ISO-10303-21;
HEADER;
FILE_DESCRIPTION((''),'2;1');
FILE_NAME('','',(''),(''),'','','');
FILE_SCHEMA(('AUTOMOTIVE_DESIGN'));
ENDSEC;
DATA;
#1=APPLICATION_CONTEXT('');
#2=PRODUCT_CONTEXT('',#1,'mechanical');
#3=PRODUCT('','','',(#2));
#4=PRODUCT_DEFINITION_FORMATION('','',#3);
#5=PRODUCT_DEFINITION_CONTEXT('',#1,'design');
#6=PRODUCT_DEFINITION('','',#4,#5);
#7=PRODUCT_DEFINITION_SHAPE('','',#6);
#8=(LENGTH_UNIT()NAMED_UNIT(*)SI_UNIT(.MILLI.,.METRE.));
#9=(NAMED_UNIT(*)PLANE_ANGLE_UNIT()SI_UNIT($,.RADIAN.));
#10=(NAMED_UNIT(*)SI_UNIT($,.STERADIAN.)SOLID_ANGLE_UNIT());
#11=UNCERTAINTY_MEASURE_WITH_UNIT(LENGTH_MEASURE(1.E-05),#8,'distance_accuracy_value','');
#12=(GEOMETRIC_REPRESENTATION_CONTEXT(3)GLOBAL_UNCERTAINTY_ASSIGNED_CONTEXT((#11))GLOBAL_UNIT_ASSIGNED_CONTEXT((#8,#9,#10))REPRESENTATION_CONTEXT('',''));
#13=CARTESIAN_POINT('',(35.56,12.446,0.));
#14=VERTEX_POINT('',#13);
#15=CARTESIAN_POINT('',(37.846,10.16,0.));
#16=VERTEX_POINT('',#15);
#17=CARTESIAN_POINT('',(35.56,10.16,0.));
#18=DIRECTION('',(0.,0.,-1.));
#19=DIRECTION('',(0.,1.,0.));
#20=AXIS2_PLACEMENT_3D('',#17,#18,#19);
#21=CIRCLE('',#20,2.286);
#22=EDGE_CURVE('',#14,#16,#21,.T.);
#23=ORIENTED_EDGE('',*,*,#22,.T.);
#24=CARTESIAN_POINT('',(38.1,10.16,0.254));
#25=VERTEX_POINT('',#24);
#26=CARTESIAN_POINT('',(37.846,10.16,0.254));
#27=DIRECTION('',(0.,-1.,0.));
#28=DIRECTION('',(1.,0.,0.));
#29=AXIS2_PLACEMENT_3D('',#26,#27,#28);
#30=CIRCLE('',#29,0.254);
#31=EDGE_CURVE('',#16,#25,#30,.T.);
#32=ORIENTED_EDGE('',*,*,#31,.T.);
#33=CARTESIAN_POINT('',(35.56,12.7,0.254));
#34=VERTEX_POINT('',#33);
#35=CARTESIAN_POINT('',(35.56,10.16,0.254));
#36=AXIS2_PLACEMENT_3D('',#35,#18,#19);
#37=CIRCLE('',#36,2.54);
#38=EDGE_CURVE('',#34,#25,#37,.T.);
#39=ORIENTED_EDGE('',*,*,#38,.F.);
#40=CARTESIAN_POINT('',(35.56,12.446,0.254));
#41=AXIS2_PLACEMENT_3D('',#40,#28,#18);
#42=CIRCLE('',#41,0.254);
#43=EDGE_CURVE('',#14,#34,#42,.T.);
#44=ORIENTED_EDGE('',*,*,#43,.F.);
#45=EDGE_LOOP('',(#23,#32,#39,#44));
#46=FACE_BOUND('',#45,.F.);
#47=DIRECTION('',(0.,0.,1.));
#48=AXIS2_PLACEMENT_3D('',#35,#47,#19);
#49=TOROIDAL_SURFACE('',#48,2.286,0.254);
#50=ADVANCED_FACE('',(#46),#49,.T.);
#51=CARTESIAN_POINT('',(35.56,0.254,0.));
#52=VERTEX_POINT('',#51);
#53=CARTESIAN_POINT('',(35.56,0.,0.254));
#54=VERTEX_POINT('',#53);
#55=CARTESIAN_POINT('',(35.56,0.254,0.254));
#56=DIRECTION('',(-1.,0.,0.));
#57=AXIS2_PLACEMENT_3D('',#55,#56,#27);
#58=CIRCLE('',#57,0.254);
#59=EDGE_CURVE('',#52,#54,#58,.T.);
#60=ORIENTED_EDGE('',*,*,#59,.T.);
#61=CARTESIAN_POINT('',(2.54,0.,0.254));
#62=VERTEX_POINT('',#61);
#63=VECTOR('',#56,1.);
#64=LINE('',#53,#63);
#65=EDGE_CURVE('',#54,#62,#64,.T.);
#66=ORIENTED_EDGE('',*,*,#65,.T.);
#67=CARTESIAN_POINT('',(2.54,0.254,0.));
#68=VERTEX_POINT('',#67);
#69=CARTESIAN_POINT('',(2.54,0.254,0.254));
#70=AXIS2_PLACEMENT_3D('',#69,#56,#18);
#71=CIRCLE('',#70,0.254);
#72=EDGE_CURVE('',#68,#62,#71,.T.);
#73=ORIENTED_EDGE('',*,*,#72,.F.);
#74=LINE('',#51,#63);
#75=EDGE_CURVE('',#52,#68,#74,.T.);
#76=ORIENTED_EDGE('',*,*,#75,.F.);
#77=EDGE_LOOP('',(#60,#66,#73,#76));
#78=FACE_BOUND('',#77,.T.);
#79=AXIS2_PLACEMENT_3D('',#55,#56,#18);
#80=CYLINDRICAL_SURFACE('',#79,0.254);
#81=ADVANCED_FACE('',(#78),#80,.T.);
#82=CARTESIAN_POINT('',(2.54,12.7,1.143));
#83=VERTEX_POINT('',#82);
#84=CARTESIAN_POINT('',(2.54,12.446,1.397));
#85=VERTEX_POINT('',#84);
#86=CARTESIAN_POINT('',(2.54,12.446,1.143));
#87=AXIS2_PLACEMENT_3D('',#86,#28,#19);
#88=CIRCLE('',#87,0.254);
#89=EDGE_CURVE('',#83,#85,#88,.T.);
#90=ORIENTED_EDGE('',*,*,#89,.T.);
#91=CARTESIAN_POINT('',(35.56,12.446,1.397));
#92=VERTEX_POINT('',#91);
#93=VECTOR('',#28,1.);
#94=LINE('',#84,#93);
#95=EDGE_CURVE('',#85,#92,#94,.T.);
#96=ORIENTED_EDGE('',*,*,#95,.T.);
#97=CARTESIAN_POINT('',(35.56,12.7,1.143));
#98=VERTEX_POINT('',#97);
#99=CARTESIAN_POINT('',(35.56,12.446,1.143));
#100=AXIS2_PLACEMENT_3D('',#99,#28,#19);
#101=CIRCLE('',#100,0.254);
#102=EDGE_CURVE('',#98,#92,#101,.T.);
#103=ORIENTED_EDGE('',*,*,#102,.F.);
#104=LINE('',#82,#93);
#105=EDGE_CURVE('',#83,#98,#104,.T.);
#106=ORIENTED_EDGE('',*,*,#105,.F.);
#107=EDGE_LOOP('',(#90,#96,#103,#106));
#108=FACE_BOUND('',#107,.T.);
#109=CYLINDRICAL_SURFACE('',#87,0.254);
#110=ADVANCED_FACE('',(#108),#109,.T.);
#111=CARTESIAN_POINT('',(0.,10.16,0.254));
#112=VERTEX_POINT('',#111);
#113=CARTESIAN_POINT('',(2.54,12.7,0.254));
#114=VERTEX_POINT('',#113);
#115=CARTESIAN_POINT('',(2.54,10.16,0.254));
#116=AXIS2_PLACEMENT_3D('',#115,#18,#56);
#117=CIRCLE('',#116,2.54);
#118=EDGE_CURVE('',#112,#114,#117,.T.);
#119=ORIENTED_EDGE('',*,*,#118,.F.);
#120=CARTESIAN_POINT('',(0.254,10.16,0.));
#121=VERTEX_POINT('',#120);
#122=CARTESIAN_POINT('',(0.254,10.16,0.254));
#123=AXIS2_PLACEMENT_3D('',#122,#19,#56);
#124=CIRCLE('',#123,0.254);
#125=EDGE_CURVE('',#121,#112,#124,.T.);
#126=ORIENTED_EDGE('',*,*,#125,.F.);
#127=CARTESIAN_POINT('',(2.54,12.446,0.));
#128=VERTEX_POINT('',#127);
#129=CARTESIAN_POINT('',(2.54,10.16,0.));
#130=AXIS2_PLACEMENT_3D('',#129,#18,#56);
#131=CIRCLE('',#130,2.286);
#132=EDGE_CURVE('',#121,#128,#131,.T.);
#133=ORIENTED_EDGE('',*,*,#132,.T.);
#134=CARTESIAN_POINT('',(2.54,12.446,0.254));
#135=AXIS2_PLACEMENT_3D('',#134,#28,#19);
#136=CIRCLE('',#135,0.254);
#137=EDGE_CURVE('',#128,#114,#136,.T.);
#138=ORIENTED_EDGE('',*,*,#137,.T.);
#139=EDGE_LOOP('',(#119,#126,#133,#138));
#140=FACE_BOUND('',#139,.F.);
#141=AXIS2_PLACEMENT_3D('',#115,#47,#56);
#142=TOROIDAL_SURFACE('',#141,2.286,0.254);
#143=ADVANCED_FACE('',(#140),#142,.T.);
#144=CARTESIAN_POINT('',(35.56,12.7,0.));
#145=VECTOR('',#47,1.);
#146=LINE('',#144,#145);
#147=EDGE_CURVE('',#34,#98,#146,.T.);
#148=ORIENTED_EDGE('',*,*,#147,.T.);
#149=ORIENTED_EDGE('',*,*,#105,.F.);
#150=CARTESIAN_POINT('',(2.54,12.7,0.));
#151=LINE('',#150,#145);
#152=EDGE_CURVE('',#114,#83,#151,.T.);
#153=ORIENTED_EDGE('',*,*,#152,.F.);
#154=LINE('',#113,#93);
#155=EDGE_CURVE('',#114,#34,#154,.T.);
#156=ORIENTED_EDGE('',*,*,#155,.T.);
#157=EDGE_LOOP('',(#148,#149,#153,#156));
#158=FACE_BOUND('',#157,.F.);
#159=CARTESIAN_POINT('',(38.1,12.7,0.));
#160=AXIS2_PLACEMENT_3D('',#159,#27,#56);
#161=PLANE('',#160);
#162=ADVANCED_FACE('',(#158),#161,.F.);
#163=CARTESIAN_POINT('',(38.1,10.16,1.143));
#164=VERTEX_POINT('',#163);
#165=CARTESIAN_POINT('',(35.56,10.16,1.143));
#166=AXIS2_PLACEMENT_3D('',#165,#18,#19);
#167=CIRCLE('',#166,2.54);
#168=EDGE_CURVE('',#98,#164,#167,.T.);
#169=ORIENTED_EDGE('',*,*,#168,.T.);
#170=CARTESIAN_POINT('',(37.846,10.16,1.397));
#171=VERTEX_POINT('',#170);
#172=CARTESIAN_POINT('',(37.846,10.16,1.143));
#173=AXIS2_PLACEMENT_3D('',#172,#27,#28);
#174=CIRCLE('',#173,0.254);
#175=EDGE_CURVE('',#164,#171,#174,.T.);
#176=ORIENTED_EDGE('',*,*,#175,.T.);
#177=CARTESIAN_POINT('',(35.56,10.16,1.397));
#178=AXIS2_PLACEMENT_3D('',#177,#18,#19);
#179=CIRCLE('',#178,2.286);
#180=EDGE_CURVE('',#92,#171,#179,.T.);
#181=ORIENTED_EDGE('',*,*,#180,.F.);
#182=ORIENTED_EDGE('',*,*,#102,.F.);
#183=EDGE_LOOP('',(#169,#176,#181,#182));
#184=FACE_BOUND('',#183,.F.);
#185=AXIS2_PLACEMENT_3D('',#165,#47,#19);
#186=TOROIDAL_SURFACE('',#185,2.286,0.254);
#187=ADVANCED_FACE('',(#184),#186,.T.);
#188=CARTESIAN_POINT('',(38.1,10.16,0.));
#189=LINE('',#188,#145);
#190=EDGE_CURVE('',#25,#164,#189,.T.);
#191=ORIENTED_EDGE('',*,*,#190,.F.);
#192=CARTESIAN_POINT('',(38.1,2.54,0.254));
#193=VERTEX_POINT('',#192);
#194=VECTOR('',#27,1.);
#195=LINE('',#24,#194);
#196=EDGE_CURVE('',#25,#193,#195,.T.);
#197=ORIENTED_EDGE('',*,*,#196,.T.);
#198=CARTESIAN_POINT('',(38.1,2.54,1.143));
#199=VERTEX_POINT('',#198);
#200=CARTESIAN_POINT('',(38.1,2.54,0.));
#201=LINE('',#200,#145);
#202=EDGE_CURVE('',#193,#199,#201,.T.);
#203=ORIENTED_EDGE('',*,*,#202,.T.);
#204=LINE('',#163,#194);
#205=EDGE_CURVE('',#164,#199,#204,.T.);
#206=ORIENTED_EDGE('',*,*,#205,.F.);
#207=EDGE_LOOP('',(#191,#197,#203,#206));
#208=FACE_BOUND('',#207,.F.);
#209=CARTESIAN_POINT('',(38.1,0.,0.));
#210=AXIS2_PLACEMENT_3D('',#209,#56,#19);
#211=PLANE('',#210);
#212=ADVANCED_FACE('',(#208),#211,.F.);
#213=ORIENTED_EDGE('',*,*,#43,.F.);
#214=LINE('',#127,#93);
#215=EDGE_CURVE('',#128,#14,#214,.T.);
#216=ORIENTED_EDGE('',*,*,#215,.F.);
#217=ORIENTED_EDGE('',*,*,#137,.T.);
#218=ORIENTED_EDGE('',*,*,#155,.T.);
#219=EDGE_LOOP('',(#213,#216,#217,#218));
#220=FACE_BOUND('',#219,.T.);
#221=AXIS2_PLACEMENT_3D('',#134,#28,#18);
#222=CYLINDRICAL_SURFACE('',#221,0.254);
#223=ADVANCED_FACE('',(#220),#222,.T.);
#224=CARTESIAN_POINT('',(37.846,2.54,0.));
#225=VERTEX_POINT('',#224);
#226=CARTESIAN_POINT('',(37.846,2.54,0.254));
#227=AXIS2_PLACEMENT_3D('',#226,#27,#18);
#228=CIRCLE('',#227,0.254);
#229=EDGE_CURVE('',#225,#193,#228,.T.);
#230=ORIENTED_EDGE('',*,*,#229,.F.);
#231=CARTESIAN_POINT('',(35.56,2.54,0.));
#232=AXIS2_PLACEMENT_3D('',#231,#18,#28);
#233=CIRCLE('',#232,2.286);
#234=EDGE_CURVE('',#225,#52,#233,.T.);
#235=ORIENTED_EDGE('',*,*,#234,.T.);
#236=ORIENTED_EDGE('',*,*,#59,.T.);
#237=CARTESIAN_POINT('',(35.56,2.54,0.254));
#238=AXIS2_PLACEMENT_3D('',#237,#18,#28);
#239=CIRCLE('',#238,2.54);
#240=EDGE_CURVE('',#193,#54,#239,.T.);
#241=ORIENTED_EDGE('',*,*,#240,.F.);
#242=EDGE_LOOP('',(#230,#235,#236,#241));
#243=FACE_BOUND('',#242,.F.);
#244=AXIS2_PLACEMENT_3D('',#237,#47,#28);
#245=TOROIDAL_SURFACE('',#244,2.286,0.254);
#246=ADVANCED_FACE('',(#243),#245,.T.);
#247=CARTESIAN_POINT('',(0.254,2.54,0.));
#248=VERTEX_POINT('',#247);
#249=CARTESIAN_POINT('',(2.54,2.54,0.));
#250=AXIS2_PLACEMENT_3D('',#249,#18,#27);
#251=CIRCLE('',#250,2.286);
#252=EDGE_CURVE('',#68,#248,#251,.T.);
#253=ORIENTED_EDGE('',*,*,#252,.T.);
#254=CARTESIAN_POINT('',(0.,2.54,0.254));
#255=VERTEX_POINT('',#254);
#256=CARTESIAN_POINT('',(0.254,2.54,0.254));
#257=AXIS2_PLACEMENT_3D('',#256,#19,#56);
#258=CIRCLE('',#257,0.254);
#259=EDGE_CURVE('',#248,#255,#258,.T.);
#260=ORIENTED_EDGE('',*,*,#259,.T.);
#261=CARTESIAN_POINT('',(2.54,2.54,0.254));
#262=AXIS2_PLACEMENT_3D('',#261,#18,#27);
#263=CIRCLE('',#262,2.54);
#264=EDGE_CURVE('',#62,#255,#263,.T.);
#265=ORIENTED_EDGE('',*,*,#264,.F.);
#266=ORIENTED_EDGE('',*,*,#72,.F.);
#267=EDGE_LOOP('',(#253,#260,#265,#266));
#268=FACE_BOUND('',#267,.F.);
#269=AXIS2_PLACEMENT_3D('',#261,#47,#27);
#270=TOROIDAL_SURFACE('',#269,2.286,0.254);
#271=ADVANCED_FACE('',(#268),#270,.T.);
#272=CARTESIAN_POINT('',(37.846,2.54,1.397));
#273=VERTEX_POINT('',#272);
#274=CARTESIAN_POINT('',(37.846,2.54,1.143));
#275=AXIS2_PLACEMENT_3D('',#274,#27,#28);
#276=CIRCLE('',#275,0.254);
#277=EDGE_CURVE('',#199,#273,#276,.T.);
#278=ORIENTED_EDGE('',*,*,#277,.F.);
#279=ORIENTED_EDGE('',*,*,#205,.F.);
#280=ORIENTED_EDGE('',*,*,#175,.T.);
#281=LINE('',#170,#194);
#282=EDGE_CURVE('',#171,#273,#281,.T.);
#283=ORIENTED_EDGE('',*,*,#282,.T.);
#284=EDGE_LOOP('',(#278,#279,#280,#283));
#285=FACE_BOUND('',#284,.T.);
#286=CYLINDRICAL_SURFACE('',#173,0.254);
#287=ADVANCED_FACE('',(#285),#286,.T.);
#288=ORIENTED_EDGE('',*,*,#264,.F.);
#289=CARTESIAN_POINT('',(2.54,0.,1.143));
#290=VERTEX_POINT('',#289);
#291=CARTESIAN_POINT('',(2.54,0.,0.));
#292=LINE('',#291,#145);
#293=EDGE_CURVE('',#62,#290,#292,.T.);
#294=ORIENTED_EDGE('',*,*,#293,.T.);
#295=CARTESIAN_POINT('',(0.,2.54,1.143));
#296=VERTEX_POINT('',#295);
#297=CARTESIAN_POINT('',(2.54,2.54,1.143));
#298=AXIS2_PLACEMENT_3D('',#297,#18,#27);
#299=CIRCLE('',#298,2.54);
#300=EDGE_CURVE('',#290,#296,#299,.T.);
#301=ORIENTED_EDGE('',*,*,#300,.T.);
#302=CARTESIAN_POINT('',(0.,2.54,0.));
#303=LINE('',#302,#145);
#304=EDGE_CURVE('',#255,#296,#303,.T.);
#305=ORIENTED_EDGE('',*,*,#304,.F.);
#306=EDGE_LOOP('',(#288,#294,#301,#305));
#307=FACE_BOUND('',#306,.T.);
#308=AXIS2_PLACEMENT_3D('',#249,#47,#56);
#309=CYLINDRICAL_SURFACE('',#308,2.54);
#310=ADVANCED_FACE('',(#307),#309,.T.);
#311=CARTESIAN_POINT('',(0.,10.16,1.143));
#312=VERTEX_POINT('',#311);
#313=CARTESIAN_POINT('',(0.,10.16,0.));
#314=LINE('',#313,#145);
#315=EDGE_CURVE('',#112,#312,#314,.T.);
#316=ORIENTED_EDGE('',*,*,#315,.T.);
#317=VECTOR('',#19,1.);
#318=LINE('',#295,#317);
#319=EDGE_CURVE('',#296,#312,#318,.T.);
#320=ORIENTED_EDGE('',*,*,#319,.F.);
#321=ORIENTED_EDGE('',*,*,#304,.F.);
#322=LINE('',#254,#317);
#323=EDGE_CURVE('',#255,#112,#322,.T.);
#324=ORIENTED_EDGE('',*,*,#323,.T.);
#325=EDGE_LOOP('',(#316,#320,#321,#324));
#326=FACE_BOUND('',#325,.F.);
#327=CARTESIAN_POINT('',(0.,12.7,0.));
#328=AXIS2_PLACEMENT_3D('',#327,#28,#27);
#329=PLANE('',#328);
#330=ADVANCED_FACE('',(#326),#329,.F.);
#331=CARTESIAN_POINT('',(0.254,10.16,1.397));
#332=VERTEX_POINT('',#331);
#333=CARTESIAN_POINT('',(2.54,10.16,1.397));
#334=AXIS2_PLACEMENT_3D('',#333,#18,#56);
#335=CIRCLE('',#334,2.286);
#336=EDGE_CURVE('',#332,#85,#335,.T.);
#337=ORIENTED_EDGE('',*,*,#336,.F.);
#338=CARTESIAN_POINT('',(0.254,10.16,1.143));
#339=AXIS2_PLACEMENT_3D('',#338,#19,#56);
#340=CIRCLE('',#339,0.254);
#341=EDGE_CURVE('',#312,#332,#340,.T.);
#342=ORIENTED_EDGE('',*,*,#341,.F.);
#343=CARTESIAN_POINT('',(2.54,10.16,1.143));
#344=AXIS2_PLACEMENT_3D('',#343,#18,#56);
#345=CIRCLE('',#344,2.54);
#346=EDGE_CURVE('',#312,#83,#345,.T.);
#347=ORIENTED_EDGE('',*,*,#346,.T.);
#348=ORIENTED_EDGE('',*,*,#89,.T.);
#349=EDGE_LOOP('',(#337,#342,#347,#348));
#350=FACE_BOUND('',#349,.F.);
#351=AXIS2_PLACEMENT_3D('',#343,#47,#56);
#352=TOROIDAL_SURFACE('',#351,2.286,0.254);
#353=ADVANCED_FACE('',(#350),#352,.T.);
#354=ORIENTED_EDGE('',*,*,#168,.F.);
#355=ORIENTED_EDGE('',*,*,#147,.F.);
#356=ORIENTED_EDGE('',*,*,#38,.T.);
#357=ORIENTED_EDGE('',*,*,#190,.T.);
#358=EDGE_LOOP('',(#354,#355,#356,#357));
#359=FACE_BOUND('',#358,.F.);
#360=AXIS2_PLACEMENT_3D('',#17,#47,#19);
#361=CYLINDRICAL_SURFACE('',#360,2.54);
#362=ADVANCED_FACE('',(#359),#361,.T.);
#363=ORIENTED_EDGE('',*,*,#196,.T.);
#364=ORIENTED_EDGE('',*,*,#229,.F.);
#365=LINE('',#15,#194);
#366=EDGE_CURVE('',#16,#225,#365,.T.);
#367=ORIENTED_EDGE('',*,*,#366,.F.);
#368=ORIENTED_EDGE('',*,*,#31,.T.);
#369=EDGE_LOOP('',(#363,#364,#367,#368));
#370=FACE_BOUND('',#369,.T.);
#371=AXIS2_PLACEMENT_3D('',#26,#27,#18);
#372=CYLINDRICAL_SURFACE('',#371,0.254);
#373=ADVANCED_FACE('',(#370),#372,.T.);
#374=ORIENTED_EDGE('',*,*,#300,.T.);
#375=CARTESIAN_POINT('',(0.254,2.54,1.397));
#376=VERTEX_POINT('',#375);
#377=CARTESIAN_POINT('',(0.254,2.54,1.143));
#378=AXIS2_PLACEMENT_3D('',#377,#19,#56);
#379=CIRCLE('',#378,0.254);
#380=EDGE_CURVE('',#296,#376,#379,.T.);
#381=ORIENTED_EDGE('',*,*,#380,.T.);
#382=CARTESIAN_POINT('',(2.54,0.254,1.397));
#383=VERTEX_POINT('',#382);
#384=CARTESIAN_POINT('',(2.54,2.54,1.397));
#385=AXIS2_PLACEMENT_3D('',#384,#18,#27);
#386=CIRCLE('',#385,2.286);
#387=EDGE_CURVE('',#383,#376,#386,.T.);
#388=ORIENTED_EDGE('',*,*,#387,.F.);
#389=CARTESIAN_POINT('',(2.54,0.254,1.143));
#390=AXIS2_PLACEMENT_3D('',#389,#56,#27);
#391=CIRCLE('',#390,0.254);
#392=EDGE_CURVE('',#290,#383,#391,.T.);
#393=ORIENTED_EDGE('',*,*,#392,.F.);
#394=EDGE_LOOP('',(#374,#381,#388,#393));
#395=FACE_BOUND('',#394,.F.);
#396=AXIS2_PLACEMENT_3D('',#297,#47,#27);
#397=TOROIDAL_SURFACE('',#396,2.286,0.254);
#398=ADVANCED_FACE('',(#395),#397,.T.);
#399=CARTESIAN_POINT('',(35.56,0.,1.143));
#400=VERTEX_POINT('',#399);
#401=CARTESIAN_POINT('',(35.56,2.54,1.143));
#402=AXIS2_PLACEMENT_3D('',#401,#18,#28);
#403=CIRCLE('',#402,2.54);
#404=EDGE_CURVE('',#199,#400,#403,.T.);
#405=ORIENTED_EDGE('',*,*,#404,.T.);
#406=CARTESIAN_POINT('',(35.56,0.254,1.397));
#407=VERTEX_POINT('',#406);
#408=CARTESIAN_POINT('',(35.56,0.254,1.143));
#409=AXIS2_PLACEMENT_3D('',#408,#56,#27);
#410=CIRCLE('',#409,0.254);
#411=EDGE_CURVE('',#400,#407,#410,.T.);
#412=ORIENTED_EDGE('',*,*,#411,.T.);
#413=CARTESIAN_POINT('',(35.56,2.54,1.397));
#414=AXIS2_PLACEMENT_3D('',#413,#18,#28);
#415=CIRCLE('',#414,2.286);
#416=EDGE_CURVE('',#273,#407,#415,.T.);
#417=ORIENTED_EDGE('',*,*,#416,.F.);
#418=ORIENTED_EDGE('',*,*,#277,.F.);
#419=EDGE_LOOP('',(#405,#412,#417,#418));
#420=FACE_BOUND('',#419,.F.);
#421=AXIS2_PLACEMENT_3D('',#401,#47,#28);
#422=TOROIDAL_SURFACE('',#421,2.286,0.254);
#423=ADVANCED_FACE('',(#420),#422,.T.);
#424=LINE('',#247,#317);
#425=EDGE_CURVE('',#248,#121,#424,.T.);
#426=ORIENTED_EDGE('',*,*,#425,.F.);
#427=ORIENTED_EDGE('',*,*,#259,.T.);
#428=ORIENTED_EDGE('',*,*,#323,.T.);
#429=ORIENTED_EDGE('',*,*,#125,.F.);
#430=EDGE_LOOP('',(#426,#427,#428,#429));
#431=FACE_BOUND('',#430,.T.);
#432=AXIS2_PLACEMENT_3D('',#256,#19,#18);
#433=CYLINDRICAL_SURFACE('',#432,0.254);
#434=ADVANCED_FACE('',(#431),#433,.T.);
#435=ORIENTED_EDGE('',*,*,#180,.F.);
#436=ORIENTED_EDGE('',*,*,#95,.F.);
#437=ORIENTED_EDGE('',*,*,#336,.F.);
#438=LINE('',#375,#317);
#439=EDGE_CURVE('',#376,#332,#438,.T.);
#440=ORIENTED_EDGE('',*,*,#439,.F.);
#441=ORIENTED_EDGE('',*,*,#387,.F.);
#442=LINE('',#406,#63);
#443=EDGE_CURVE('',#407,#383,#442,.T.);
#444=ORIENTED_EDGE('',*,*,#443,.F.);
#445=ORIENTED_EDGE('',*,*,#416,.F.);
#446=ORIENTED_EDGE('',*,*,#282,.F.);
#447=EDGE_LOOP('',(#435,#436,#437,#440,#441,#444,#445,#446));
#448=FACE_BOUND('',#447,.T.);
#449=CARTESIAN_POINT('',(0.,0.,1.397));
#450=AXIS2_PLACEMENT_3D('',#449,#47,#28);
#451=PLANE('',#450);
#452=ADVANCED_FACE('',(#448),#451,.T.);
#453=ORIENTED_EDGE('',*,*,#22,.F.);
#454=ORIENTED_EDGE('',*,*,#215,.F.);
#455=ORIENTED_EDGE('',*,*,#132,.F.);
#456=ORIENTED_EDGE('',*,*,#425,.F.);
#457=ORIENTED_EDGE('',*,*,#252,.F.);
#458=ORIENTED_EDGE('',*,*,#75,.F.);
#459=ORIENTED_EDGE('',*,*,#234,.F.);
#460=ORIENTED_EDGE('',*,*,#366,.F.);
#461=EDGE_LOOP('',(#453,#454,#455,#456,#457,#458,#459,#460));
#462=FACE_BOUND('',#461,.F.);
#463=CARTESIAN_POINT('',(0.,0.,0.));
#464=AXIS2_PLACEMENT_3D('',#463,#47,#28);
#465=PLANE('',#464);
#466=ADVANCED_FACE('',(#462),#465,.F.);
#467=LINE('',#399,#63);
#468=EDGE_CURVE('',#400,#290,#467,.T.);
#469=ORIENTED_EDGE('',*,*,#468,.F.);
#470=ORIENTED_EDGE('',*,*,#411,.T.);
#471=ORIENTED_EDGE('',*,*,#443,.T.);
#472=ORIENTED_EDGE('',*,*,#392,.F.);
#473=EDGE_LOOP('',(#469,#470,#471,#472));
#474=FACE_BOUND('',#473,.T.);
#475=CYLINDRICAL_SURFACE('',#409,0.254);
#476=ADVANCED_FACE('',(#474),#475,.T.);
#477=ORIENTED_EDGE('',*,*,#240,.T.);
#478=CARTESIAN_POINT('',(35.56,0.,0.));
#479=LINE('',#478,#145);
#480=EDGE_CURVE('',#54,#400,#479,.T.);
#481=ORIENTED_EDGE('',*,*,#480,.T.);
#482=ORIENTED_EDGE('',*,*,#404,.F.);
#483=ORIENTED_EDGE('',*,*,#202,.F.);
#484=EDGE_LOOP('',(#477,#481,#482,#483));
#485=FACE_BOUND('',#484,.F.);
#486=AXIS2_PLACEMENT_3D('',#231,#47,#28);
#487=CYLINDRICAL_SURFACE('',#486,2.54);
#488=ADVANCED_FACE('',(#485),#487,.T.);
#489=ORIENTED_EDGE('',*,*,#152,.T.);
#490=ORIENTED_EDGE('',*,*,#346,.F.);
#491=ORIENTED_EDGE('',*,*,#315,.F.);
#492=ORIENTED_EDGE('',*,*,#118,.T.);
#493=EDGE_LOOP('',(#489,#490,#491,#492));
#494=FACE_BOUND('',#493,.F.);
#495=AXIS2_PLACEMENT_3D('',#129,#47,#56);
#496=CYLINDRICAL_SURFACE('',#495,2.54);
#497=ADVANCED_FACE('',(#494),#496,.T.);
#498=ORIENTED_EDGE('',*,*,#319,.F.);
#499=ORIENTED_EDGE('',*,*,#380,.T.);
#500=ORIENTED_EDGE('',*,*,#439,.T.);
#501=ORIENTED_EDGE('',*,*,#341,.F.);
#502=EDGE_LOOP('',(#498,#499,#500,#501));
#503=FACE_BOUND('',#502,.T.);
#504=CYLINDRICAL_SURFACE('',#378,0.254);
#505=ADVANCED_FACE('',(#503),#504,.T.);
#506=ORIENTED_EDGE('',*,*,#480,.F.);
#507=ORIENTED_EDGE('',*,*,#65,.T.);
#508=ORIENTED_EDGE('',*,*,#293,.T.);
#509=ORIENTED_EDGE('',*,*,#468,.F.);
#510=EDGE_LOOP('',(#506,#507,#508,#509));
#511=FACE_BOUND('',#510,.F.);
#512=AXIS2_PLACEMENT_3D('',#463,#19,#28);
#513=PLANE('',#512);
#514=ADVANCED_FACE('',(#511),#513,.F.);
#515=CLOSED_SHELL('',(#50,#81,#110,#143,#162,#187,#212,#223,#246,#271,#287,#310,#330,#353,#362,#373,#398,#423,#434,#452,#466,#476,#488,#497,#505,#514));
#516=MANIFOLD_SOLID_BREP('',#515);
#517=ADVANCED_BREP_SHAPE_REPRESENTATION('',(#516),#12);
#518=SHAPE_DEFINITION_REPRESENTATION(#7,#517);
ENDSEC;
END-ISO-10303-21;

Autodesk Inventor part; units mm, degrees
ref_plane "YZ Plane" through (0, 0, 0) normal (1, 0, 0) x (0, 1, 0)
ref_plane "XZ Plane" through (0, 0, 0) normal (0, 1, 0) x (-1, 0, 0)
ref_plane "XY Plane" through (0, 0, 0) normal (0, 0, 1) x (1, 0, 0)
sketch "Sketch1" plane through (0, 0, 0) normal (0, 0, 1) x (1, 0, 0)
  line L0 (0, 0) -> (38.1, 0)
  line L1 (38.1, 0) -> (38.1, 12.7)
  line L2 (38.1, 12.7) -> (0, 12.7)
  line L3 (0, 12.7) -> (0, 0)
extrude "Extrusion1" add sketch "Sketch1" along normal blind 1.397
fillet "Fillet1" radius 2.54 4 edges at (0, 12.7, 0.6985) (38.1, 12.7, 0.6985) (38.1, 0, 0.6985) (0, 0, 0.6985)
fillet "Fillet2" radius 0.254 16 edges at (0.7439, 11.9561, 0) (0, 6.35, 0) (0.7439, 0.7439, 0) (19.05, 0, 0) (37.3561, 0.7439, 0) (38.1, 6.35, 0) (37.3561, 11.9561, 0) (19.05, 12.7, 0) (0.7439, 11.9561, 1.397) (0, 6.35, 1.397) (0.7439, 0.7439, 1.397) (19.05, 0, 1.397) (37.3561, 0.7439, 1.397) (38.1, 6.35, 1.397) (37.3561, 11.9561, 1.397) (19.05, 12.7, 1.397)
properties part number "Tabs .5 inch"
